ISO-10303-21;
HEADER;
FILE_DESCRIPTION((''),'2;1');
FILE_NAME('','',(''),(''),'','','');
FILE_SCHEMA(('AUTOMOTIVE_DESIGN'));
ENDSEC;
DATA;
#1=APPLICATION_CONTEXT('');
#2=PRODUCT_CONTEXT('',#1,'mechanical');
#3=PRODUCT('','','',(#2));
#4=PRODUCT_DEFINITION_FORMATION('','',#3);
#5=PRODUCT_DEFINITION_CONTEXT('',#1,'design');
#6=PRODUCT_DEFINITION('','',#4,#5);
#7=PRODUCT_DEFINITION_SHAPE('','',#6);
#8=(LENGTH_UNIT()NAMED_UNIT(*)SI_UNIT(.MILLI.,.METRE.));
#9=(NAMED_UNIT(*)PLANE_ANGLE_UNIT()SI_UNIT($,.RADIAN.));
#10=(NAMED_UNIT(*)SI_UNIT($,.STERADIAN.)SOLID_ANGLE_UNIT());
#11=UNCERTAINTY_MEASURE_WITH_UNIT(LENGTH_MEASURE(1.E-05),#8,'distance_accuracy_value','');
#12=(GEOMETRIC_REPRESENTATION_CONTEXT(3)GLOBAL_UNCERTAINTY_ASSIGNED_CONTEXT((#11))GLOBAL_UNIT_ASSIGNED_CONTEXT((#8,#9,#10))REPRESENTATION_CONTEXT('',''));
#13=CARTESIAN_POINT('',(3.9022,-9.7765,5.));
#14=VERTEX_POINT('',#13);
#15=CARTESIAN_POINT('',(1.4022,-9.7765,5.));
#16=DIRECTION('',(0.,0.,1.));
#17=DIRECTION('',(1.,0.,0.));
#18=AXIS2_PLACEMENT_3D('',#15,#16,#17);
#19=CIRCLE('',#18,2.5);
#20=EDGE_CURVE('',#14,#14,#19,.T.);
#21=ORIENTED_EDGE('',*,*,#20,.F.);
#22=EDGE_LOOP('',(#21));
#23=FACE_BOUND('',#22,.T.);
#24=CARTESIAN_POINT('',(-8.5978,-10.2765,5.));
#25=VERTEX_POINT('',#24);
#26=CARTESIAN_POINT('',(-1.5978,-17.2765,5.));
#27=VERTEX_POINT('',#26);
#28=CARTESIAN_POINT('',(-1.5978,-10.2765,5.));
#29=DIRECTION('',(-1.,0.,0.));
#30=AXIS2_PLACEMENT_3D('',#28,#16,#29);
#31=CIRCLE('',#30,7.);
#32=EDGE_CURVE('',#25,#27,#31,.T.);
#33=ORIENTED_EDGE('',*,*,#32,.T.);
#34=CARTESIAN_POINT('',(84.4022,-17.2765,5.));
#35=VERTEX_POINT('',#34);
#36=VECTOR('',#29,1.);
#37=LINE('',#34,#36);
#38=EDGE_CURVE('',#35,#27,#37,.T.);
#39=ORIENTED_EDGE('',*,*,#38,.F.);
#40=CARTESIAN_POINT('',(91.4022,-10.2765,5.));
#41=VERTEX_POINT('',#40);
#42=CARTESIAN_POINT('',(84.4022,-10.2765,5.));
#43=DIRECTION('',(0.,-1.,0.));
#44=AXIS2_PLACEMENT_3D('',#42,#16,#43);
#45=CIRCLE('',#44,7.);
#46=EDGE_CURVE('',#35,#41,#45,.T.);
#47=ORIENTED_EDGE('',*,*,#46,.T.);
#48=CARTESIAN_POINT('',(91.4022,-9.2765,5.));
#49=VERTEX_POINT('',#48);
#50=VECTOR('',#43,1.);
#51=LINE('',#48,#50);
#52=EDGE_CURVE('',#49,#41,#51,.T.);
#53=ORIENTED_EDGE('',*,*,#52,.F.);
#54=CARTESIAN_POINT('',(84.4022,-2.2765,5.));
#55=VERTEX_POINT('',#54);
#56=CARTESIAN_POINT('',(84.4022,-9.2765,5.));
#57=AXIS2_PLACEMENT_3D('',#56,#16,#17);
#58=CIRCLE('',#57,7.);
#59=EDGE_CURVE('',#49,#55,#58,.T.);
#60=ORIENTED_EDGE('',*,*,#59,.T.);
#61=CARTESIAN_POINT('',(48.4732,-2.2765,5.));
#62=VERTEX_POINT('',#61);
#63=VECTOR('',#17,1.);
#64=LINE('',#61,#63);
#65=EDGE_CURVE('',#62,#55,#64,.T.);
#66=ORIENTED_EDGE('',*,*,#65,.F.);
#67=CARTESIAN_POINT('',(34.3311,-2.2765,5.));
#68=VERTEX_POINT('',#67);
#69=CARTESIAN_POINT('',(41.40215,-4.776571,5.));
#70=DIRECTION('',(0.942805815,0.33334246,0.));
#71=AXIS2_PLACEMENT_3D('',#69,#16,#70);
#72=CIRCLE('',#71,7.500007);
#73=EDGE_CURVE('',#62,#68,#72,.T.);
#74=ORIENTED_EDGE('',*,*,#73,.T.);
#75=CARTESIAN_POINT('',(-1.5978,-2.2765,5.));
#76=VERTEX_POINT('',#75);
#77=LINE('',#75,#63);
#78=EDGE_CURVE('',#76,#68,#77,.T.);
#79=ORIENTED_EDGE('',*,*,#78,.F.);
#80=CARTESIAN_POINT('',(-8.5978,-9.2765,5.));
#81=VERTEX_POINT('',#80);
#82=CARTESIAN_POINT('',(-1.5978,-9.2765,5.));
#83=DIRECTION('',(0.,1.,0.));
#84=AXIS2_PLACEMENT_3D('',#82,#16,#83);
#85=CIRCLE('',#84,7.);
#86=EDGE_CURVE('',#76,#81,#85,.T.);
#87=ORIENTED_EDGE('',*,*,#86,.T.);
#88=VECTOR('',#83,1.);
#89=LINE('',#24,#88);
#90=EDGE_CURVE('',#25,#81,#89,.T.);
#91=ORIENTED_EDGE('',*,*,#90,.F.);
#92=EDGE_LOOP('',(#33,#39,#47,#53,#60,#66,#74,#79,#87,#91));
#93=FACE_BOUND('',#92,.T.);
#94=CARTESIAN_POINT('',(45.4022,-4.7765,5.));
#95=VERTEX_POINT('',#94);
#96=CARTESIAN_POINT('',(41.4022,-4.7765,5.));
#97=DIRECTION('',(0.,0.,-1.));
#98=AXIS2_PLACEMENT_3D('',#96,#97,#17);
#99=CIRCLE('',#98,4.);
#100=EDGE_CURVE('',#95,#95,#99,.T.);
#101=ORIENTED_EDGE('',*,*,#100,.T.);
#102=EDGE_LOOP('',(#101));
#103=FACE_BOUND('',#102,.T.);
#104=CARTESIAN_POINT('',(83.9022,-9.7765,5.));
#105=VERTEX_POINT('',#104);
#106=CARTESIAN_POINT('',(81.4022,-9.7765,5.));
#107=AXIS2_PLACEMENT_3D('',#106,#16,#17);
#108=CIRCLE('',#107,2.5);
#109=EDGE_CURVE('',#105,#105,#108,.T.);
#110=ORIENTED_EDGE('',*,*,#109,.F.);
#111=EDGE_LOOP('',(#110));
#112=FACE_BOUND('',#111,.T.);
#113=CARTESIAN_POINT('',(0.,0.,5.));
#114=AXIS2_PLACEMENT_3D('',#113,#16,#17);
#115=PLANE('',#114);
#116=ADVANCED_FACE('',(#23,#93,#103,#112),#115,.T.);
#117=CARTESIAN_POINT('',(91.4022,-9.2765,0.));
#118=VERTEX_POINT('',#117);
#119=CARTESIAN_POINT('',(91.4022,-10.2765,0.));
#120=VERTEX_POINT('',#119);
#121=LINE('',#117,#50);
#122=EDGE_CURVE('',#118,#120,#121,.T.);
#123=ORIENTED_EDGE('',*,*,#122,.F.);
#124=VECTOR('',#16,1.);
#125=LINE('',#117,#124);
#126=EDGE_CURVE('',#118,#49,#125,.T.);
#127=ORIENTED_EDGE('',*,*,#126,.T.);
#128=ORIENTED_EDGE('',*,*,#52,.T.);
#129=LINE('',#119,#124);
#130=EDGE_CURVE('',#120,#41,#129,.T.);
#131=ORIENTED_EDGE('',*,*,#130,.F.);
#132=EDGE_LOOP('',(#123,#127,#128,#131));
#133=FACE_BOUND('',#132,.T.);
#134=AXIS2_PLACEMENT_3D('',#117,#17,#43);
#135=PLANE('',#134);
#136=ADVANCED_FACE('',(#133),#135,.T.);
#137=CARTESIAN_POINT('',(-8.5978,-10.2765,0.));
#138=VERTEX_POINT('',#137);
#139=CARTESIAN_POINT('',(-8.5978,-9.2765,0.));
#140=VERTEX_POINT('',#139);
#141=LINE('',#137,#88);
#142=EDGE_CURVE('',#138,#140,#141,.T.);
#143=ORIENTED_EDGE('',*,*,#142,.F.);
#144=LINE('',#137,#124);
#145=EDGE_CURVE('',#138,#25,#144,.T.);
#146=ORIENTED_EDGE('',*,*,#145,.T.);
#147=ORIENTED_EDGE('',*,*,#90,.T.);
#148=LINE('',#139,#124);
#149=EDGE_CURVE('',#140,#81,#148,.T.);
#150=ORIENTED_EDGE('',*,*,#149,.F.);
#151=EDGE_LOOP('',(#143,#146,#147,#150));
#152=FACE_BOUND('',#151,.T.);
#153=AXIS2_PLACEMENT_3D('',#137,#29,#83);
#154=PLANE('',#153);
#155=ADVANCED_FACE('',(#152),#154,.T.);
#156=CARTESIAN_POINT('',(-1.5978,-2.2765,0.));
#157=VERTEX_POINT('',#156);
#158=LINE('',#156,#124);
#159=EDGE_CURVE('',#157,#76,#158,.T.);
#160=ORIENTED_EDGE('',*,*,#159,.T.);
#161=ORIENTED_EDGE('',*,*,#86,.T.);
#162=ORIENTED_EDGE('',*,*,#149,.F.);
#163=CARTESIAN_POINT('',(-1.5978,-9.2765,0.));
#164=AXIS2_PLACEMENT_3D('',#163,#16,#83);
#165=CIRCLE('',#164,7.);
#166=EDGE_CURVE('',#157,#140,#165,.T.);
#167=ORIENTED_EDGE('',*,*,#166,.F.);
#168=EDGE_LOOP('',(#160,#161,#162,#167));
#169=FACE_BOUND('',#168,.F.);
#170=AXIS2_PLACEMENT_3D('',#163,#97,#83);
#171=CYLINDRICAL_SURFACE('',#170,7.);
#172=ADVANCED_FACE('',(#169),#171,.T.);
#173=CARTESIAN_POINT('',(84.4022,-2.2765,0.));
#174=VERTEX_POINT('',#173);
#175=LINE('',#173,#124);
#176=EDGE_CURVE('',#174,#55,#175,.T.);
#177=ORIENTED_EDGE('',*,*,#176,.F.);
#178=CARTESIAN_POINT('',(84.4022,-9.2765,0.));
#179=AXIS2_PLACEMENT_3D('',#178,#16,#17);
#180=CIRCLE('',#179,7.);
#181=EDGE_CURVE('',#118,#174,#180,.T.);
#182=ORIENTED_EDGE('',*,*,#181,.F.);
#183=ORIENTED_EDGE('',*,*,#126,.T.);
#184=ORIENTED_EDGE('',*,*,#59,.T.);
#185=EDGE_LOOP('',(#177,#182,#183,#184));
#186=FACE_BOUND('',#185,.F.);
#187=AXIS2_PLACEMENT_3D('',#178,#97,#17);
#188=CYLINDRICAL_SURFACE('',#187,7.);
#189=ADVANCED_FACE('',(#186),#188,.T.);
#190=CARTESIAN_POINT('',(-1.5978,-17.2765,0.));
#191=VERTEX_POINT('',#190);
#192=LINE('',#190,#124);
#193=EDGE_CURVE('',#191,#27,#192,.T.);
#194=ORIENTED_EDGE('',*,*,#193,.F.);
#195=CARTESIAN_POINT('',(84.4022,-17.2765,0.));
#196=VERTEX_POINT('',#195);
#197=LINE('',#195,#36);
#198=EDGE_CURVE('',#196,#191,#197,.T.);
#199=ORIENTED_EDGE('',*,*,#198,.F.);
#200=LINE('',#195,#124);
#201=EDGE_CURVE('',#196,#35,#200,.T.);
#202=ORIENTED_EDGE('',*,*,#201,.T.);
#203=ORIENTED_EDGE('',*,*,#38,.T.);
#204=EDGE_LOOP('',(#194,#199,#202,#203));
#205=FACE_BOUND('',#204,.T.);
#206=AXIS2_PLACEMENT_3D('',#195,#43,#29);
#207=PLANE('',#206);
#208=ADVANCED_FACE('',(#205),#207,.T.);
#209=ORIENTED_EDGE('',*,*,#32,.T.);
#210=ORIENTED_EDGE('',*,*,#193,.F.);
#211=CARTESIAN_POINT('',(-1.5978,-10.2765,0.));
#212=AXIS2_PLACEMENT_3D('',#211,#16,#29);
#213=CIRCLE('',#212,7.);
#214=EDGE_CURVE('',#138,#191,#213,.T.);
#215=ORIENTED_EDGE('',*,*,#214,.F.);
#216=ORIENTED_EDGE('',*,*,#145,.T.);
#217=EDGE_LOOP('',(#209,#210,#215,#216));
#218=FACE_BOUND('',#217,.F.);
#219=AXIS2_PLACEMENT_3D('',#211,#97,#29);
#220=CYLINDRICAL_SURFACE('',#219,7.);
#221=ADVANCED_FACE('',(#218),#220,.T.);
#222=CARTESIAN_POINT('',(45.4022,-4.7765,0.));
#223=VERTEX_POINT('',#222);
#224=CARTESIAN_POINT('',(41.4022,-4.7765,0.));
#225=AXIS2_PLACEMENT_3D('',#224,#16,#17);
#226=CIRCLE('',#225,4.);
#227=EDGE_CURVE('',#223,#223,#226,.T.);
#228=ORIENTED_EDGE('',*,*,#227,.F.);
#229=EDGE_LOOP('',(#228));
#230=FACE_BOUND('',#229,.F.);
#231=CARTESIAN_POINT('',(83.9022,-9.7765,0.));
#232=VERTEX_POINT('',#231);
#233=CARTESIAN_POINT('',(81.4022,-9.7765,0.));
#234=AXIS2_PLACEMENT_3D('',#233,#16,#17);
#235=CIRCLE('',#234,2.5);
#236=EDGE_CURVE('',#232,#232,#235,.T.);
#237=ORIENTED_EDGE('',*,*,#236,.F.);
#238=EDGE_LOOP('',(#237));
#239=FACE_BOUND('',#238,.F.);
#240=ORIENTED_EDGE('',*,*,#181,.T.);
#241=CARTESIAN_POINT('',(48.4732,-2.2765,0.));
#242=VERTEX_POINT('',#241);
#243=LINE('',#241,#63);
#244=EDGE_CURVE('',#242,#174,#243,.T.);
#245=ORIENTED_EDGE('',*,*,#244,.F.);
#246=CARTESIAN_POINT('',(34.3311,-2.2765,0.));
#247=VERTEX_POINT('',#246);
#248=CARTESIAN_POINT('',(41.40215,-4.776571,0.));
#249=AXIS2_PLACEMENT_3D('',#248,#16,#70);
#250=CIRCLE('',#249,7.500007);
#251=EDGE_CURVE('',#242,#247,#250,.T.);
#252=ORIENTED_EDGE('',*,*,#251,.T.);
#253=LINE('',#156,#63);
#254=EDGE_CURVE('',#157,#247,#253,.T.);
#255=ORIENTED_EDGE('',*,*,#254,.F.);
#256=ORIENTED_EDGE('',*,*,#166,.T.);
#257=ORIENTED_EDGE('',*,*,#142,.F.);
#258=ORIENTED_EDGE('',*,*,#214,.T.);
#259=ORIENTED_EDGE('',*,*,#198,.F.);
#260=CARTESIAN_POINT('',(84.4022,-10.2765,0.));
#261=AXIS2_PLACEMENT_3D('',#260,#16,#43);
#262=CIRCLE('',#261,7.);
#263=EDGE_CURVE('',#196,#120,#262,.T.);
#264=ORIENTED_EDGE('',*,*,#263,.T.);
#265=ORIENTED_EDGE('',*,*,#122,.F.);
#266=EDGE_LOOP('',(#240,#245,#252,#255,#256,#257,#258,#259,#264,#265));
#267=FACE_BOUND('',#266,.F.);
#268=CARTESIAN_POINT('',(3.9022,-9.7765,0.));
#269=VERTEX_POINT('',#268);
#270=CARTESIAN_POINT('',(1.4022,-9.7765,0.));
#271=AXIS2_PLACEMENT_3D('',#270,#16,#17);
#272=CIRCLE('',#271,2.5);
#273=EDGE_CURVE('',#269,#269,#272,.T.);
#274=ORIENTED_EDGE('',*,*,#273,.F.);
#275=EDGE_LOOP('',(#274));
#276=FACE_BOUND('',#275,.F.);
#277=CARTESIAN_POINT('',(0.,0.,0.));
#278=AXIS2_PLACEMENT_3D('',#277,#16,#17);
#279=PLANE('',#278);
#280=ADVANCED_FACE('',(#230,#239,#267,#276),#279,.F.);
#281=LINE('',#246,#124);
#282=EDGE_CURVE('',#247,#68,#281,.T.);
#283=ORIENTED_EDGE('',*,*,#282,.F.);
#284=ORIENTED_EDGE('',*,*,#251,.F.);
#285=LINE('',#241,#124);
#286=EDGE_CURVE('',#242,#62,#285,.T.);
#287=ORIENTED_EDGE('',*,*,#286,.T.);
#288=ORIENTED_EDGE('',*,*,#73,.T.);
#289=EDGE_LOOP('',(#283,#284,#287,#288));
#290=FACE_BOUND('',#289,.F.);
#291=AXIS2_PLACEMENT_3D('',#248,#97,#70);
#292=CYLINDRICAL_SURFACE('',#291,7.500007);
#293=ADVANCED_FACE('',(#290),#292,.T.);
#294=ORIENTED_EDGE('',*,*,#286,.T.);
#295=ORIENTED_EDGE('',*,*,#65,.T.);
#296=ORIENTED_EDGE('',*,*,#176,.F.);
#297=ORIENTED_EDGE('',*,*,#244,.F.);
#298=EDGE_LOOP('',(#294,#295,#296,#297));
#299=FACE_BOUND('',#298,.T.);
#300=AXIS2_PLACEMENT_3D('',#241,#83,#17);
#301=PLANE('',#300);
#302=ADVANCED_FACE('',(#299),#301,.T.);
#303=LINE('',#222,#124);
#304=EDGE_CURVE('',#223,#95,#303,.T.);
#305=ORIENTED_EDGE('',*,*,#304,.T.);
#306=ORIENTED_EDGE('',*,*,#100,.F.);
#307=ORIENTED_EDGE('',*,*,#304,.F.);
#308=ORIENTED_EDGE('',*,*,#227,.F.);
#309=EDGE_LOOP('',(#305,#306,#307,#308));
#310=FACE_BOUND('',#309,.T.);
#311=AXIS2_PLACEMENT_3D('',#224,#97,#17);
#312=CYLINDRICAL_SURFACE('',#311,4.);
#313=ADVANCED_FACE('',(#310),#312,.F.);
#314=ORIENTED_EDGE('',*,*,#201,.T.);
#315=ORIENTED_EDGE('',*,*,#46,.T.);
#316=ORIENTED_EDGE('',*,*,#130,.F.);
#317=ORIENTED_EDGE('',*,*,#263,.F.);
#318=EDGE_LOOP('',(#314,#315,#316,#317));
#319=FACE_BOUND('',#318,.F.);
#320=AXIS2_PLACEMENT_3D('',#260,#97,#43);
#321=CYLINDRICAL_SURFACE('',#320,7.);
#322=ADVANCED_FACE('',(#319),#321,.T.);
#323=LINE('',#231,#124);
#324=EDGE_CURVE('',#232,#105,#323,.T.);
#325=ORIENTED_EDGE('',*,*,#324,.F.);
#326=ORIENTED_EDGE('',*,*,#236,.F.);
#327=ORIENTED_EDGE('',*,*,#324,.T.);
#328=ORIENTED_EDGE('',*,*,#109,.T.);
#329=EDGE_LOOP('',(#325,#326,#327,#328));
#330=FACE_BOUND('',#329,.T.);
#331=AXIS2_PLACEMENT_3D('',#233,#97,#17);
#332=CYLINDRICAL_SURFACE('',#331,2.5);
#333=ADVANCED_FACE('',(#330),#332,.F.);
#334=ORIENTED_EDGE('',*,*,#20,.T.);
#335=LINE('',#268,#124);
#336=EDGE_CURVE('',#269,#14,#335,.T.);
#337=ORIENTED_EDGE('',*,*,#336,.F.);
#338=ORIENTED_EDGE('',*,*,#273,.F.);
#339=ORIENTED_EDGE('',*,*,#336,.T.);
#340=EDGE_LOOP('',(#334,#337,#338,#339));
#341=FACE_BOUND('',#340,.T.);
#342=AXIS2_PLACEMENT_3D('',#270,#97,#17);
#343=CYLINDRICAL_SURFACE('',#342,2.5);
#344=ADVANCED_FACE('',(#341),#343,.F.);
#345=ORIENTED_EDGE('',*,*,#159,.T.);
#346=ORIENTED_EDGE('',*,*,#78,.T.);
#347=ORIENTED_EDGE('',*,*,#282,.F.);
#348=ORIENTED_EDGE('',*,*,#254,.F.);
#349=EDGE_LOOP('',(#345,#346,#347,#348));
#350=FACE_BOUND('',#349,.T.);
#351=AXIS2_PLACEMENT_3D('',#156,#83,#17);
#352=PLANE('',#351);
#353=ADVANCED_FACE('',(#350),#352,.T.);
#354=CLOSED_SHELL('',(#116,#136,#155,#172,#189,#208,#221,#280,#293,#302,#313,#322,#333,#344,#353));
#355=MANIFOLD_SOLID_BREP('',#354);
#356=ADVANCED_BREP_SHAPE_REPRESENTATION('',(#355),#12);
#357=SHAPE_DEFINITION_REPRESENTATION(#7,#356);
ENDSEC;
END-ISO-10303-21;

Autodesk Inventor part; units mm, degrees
ref_plane "YZ Plane" through (0, 0, 0) normal (1, 0, 0) x (0, 1, 0)
ref_plane "XZ Plane" through (0, 0, 0) normal (0, 1, 0) x (-1, 0, 0)
ref_plane "XY Plane" through (0, 0, 0) normal (0, 0, 1) x (1, 0, 0)
sketch "Sketch1" plane through (0, 0, 0) normal (0, 0, 1) x (1, 0, 0)
  line L0 (-1.5978, -2.2765) -> (34.3311, -2.2765)
  line L1 (91.4022, -9.2765) -> (91.4022, -10.2765)
  line L2 (84.4022, -17.2765) -> (-1.5978, -17.2765)
  line L3 (-8.5978, -10.2765) -> (-8.5978, -9.2765)
  arc A0 (-1.5978, -2.2765) -> (-8.5978, -9.2765) centre (-1.5978, -9.2765) ccw
  arc A1 (-8.5978, -10.2765) -> (-1.5978, -17.2765) centre (-1.5978, -10.2765) ccw
  arc A2 (84.4022, -17.2765) -> (91.4022, -10.2765) centre (84.4022, -10.2765) ccw
  arc A3 (91.4022, -9.2765) -> (84.4022, -2.2765) centre (84.4022, -9.2765) ccw
  circle A4 centre (1.4022, -9.7765) radius 2.5
  circle A5 centre (81.4022, -9.7765) radius 2.5
  circle A6 centre (41.4022, -4.7765) radius 4
  arc A7 (48.4732, -2.2765) -> (34.3311, -2.2765) centre (41.4022, -4.7765) ccw
  line L4 (34.3311, -2.2765) -> (48.4732, -2.2765)
  line L5 (48.4732, -2.2765) -> (84.4022, -2.2765)
  arc A8 (34.3311, -2.2765) -> (48.4732, -2.2765) centre (41.4022, -4.7765) ccw
  point P0 (0, 0)
  point P1 (91.4022, -17.2765)
  point P2 (91.4022, -2.2765)
  point P3 (-8.5978, -17.2765)
  point P4 (41.4022, -2.2765)
  dimension "d0" = 100
  dimension "d1" = 15
  dimension "d2" = 7
  dimension "d3" = 5
  dimension "d4" = 5
  dimension "d7" = 8
  dimension "d8" = 7.5
  dimension "d9" = 7.5
  dimension "d10" = 80
  dimension "d11" = 10
  dimension "d13" = 2.5
  dimension "d14" = 40
  dimension "d16" = 15
extrude "Extrusion1" add sketch "Sketch1" along normal blind 5 contours L0 A8 L5 A3 L1 A2 L2 A1 L3 A0 | A7 L4 A6 | L4 A6 A8
equation "\"d8\" = 0.5 * d1"
properties part number "lacznik_pary_kol_V3" material "Aluminum 6061"
